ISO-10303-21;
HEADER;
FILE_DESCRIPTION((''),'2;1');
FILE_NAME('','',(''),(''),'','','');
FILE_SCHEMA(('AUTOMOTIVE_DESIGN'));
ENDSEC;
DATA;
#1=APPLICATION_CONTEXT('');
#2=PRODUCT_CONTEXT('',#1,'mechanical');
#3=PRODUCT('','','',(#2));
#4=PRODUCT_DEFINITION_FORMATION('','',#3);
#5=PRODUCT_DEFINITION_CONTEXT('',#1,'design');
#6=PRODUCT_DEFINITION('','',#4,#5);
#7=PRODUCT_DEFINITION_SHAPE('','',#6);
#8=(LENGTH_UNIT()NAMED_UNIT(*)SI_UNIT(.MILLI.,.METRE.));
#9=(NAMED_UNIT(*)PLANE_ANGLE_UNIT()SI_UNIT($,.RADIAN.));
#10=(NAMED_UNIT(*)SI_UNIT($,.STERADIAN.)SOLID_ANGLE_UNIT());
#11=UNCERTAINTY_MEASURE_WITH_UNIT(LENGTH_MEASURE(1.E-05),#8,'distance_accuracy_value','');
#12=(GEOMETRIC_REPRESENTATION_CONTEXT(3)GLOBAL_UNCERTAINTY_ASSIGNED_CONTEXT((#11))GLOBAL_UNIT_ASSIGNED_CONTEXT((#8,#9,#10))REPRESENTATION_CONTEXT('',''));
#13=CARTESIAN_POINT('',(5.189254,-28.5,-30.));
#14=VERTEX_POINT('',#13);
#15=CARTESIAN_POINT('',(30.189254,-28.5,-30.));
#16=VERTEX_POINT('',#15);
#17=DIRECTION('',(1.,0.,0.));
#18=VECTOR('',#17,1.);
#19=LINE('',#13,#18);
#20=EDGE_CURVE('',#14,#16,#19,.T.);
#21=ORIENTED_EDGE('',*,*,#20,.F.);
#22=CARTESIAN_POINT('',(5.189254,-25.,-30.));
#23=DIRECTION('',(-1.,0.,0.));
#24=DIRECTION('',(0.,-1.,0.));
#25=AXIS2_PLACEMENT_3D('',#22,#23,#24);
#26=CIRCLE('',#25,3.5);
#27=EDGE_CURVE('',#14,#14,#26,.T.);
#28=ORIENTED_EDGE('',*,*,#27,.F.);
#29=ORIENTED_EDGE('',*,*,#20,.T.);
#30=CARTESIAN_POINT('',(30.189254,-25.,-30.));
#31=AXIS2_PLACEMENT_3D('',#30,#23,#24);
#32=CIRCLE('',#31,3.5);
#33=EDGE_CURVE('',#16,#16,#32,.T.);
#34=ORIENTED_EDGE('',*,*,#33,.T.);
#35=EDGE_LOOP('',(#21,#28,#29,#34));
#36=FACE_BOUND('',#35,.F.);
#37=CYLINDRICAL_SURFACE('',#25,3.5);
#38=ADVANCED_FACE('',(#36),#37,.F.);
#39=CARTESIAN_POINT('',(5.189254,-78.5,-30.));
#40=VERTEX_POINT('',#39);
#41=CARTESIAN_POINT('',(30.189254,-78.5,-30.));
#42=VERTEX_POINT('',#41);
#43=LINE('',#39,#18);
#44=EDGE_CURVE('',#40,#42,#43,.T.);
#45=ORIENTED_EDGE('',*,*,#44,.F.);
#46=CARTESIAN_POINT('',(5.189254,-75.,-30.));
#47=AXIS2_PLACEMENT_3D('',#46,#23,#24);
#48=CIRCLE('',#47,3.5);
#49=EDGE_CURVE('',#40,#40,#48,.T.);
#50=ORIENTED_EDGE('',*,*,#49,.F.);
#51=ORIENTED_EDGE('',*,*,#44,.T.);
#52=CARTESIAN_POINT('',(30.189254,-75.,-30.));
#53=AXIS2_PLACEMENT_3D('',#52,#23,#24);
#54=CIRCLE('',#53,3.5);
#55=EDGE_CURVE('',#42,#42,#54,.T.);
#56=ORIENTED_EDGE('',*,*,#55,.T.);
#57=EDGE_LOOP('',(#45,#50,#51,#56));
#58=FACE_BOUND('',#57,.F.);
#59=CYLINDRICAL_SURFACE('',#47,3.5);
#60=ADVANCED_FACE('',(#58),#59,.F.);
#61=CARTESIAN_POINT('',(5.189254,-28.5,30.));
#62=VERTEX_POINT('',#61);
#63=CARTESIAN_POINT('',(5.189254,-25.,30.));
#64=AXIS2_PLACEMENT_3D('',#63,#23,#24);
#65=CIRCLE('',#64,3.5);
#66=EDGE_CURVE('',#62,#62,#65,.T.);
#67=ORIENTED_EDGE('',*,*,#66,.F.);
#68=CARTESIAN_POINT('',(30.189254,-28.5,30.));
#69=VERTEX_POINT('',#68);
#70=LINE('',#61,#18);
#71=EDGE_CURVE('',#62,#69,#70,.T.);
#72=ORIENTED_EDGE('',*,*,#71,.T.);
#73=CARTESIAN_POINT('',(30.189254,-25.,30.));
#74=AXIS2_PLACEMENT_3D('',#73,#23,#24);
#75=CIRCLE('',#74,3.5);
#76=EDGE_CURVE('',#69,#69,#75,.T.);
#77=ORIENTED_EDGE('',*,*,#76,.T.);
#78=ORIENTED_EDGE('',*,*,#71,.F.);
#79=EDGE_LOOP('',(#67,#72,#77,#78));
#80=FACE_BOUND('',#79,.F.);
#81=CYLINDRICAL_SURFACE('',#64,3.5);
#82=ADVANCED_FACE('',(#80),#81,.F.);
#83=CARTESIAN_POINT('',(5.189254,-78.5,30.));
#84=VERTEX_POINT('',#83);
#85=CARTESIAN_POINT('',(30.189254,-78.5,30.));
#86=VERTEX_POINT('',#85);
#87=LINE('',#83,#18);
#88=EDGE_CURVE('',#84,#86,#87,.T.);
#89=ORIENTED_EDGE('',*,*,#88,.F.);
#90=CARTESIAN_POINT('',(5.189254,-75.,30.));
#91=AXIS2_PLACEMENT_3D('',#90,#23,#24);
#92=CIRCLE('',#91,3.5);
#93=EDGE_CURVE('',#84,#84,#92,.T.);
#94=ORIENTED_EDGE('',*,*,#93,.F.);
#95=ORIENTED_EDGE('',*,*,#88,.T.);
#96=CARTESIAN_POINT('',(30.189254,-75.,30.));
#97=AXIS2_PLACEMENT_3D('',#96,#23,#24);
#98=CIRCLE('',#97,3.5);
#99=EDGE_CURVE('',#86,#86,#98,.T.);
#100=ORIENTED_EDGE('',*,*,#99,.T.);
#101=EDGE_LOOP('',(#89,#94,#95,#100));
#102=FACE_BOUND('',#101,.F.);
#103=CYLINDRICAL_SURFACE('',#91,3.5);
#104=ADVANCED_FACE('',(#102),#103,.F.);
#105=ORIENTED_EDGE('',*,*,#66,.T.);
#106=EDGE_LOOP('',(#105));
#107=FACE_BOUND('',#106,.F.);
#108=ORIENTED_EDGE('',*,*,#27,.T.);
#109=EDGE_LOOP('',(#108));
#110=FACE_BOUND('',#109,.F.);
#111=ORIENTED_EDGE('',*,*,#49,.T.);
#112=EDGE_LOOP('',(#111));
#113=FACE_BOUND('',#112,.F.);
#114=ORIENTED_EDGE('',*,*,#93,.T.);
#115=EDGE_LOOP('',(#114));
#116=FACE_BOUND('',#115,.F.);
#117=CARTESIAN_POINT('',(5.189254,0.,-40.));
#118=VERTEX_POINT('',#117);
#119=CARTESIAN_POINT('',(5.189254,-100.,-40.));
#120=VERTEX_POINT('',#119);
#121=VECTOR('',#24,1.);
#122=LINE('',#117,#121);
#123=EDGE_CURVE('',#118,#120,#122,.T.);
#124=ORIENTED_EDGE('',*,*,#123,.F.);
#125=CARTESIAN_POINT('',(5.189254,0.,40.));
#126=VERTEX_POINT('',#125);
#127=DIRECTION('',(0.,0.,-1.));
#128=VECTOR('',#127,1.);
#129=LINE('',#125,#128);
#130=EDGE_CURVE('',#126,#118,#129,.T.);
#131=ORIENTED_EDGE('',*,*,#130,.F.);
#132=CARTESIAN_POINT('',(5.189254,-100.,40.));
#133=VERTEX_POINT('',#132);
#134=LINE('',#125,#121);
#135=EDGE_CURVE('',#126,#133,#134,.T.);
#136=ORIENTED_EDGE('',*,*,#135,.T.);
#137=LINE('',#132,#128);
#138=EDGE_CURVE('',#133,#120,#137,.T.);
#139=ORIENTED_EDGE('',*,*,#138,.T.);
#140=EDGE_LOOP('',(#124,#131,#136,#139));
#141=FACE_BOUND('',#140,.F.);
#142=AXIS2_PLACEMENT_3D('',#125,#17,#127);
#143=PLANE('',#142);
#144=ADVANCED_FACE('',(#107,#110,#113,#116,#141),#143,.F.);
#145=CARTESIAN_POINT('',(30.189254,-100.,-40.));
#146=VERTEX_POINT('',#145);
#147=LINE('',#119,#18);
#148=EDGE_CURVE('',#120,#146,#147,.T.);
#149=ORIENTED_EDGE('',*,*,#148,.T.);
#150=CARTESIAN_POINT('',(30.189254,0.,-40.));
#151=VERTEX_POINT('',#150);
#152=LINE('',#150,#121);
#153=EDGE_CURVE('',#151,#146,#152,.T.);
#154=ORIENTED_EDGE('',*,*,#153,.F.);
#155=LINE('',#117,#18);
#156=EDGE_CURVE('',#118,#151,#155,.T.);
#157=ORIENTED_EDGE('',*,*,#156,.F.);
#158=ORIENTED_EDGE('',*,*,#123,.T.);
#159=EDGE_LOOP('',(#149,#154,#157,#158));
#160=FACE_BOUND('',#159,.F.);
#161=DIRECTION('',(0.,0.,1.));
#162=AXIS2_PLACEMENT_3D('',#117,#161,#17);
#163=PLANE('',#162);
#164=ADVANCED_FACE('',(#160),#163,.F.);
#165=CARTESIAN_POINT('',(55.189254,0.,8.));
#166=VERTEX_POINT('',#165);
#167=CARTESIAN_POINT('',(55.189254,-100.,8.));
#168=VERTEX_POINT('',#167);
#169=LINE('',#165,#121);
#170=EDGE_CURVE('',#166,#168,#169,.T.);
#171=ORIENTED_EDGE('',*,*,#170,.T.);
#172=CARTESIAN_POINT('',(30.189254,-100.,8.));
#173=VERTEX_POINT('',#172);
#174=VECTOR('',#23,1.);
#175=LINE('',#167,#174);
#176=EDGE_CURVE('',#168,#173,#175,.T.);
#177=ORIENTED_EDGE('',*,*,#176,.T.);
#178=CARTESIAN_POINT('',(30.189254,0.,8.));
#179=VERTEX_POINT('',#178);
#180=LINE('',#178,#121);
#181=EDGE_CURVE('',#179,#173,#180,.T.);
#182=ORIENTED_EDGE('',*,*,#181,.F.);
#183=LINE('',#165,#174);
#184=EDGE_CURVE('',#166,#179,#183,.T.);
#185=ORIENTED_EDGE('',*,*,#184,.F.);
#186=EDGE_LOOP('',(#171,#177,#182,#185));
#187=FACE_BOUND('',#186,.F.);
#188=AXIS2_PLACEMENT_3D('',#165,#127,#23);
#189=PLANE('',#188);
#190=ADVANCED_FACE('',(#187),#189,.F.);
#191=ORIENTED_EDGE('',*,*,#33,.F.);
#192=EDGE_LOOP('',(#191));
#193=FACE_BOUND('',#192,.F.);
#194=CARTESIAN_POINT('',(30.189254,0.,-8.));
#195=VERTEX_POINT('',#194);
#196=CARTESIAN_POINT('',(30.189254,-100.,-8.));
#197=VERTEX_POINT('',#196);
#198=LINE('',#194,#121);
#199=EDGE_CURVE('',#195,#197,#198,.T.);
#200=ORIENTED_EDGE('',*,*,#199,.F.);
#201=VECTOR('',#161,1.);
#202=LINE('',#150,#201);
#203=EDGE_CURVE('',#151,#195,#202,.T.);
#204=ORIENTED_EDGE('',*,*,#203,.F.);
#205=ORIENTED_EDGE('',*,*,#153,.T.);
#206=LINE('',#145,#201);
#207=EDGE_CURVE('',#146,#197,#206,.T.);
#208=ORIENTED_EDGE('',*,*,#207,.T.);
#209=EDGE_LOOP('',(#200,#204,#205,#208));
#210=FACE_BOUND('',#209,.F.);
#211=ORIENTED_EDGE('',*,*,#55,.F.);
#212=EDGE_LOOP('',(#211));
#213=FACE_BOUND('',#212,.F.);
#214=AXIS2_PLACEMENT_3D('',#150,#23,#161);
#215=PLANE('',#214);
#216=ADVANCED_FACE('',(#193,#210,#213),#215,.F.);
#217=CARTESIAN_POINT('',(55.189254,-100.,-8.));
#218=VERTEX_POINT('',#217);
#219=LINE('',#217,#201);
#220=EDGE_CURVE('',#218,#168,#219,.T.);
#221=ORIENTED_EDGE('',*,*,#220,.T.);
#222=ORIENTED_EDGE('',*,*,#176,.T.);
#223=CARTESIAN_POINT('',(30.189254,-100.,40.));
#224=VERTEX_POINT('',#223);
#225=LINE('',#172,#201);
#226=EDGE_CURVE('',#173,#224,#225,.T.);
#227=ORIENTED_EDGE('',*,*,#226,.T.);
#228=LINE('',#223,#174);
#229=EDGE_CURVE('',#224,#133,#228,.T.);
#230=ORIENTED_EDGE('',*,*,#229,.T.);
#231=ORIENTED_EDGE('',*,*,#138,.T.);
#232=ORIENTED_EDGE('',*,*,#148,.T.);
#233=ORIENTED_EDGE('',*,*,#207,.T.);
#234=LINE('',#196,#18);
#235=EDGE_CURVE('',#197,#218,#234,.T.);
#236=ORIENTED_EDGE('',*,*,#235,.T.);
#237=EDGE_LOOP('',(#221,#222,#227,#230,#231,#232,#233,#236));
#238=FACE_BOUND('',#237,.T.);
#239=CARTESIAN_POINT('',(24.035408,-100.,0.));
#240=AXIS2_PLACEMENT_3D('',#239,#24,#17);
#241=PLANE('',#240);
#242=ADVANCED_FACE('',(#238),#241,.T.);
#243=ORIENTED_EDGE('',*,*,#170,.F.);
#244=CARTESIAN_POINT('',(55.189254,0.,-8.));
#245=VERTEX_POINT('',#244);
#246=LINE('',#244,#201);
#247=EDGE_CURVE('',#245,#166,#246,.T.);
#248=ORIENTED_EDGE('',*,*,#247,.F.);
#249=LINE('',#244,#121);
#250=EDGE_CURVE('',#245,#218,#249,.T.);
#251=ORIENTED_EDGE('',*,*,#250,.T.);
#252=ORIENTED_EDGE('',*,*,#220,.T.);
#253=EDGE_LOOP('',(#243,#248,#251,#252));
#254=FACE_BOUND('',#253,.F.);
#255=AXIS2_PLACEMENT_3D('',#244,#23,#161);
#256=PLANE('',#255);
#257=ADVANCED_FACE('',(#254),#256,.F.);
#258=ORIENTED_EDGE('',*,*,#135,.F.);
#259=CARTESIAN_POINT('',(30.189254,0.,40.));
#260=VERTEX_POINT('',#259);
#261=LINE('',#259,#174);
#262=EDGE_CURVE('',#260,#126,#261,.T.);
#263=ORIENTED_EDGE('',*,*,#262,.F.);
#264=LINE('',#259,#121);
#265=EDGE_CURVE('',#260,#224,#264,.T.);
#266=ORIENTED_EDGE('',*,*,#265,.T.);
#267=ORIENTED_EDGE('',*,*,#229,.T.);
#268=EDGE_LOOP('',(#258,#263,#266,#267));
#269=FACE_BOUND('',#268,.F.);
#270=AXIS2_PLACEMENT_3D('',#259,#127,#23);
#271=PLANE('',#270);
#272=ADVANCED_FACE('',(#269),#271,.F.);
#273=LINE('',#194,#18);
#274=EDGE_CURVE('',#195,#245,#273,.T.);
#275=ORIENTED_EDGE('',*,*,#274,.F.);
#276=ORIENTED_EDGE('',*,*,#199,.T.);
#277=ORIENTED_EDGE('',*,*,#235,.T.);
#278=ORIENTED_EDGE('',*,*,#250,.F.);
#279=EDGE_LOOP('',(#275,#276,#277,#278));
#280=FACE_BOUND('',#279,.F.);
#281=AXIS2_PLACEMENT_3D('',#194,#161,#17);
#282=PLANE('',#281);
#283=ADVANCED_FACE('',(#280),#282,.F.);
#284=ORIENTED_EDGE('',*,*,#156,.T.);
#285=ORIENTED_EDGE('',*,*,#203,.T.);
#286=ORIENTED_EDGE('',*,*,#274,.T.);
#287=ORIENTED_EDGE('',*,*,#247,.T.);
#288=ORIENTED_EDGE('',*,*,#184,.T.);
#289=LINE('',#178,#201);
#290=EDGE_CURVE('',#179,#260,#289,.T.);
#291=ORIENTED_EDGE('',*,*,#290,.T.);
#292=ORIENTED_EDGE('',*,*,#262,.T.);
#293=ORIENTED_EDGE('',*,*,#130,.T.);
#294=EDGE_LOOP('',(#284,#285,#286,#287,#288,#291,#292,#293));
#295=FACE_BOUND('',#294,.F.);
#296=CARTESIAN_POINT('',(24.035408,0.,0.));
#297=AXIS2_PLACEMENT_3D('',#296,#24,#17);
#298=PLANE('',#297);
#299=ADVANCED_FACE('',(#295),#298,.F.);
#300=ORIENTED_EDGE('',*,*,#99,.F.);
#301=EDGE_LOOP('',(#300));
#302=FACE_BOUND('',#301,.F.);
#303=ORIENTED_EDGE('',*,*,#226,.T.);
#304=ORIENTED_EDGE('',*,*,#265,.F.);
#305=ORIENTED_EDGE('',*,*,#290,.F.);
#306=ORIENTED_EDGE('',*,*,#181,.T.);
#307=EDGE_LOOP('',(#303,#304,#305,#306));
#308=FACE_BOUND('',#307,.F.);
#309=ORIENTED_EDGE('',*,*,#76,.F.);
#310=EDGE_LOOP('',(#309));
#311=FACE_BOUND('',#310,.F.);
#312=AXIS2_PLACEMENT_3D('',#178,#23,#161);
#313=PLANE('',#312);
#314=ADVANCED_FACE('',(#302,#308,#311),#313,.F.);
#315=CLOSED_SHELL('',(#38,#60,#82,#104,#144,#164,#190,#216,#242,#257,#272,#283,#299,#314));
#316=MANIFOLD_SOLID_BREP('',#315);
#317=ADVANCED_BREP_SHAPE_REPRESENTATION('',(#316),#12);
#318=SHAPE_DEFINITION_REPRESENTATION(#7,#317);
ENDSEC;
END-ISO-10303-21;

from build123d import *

# Parameters (mm, degrees)
F1_DEPTH = 100
F2_R     = 3.5
F3_DEPTH = 100


with BuildPart() as f1:
    # F0 (on Front) → F1 (new body)
    with BuildSketch(Plane.XZ):
        Polygon((5.189254, 40), (5.189254, 0), (5.189254, -40), (30.189254, -40), (30.189254, -8), (55.189254, -8), (55.189254, 8), (30.189254, 8), (30.189254, 40), align=None)
    extrude(amount=F1_DEPTH)

    # F2 (on face) → F3 (cut)
    with BuildSketch(Plane(origin=(5.189254, 0, 0), x_dir=(0, -1, 0), z_dir=(-1, 0, 0))):
        with Locations((25, 30)):
            Circle(F2_R)
        with Locations((75, 30)):
            Circle(F2_R)
        with Locations((25, -30)):
            Circle(F2_R)
        with Locations((75, -30)):
            Circle(F2_R)
    extrude(amount=-F3_DEPTH, mode=Mode.SUBTRACT)


solid = f1.part
